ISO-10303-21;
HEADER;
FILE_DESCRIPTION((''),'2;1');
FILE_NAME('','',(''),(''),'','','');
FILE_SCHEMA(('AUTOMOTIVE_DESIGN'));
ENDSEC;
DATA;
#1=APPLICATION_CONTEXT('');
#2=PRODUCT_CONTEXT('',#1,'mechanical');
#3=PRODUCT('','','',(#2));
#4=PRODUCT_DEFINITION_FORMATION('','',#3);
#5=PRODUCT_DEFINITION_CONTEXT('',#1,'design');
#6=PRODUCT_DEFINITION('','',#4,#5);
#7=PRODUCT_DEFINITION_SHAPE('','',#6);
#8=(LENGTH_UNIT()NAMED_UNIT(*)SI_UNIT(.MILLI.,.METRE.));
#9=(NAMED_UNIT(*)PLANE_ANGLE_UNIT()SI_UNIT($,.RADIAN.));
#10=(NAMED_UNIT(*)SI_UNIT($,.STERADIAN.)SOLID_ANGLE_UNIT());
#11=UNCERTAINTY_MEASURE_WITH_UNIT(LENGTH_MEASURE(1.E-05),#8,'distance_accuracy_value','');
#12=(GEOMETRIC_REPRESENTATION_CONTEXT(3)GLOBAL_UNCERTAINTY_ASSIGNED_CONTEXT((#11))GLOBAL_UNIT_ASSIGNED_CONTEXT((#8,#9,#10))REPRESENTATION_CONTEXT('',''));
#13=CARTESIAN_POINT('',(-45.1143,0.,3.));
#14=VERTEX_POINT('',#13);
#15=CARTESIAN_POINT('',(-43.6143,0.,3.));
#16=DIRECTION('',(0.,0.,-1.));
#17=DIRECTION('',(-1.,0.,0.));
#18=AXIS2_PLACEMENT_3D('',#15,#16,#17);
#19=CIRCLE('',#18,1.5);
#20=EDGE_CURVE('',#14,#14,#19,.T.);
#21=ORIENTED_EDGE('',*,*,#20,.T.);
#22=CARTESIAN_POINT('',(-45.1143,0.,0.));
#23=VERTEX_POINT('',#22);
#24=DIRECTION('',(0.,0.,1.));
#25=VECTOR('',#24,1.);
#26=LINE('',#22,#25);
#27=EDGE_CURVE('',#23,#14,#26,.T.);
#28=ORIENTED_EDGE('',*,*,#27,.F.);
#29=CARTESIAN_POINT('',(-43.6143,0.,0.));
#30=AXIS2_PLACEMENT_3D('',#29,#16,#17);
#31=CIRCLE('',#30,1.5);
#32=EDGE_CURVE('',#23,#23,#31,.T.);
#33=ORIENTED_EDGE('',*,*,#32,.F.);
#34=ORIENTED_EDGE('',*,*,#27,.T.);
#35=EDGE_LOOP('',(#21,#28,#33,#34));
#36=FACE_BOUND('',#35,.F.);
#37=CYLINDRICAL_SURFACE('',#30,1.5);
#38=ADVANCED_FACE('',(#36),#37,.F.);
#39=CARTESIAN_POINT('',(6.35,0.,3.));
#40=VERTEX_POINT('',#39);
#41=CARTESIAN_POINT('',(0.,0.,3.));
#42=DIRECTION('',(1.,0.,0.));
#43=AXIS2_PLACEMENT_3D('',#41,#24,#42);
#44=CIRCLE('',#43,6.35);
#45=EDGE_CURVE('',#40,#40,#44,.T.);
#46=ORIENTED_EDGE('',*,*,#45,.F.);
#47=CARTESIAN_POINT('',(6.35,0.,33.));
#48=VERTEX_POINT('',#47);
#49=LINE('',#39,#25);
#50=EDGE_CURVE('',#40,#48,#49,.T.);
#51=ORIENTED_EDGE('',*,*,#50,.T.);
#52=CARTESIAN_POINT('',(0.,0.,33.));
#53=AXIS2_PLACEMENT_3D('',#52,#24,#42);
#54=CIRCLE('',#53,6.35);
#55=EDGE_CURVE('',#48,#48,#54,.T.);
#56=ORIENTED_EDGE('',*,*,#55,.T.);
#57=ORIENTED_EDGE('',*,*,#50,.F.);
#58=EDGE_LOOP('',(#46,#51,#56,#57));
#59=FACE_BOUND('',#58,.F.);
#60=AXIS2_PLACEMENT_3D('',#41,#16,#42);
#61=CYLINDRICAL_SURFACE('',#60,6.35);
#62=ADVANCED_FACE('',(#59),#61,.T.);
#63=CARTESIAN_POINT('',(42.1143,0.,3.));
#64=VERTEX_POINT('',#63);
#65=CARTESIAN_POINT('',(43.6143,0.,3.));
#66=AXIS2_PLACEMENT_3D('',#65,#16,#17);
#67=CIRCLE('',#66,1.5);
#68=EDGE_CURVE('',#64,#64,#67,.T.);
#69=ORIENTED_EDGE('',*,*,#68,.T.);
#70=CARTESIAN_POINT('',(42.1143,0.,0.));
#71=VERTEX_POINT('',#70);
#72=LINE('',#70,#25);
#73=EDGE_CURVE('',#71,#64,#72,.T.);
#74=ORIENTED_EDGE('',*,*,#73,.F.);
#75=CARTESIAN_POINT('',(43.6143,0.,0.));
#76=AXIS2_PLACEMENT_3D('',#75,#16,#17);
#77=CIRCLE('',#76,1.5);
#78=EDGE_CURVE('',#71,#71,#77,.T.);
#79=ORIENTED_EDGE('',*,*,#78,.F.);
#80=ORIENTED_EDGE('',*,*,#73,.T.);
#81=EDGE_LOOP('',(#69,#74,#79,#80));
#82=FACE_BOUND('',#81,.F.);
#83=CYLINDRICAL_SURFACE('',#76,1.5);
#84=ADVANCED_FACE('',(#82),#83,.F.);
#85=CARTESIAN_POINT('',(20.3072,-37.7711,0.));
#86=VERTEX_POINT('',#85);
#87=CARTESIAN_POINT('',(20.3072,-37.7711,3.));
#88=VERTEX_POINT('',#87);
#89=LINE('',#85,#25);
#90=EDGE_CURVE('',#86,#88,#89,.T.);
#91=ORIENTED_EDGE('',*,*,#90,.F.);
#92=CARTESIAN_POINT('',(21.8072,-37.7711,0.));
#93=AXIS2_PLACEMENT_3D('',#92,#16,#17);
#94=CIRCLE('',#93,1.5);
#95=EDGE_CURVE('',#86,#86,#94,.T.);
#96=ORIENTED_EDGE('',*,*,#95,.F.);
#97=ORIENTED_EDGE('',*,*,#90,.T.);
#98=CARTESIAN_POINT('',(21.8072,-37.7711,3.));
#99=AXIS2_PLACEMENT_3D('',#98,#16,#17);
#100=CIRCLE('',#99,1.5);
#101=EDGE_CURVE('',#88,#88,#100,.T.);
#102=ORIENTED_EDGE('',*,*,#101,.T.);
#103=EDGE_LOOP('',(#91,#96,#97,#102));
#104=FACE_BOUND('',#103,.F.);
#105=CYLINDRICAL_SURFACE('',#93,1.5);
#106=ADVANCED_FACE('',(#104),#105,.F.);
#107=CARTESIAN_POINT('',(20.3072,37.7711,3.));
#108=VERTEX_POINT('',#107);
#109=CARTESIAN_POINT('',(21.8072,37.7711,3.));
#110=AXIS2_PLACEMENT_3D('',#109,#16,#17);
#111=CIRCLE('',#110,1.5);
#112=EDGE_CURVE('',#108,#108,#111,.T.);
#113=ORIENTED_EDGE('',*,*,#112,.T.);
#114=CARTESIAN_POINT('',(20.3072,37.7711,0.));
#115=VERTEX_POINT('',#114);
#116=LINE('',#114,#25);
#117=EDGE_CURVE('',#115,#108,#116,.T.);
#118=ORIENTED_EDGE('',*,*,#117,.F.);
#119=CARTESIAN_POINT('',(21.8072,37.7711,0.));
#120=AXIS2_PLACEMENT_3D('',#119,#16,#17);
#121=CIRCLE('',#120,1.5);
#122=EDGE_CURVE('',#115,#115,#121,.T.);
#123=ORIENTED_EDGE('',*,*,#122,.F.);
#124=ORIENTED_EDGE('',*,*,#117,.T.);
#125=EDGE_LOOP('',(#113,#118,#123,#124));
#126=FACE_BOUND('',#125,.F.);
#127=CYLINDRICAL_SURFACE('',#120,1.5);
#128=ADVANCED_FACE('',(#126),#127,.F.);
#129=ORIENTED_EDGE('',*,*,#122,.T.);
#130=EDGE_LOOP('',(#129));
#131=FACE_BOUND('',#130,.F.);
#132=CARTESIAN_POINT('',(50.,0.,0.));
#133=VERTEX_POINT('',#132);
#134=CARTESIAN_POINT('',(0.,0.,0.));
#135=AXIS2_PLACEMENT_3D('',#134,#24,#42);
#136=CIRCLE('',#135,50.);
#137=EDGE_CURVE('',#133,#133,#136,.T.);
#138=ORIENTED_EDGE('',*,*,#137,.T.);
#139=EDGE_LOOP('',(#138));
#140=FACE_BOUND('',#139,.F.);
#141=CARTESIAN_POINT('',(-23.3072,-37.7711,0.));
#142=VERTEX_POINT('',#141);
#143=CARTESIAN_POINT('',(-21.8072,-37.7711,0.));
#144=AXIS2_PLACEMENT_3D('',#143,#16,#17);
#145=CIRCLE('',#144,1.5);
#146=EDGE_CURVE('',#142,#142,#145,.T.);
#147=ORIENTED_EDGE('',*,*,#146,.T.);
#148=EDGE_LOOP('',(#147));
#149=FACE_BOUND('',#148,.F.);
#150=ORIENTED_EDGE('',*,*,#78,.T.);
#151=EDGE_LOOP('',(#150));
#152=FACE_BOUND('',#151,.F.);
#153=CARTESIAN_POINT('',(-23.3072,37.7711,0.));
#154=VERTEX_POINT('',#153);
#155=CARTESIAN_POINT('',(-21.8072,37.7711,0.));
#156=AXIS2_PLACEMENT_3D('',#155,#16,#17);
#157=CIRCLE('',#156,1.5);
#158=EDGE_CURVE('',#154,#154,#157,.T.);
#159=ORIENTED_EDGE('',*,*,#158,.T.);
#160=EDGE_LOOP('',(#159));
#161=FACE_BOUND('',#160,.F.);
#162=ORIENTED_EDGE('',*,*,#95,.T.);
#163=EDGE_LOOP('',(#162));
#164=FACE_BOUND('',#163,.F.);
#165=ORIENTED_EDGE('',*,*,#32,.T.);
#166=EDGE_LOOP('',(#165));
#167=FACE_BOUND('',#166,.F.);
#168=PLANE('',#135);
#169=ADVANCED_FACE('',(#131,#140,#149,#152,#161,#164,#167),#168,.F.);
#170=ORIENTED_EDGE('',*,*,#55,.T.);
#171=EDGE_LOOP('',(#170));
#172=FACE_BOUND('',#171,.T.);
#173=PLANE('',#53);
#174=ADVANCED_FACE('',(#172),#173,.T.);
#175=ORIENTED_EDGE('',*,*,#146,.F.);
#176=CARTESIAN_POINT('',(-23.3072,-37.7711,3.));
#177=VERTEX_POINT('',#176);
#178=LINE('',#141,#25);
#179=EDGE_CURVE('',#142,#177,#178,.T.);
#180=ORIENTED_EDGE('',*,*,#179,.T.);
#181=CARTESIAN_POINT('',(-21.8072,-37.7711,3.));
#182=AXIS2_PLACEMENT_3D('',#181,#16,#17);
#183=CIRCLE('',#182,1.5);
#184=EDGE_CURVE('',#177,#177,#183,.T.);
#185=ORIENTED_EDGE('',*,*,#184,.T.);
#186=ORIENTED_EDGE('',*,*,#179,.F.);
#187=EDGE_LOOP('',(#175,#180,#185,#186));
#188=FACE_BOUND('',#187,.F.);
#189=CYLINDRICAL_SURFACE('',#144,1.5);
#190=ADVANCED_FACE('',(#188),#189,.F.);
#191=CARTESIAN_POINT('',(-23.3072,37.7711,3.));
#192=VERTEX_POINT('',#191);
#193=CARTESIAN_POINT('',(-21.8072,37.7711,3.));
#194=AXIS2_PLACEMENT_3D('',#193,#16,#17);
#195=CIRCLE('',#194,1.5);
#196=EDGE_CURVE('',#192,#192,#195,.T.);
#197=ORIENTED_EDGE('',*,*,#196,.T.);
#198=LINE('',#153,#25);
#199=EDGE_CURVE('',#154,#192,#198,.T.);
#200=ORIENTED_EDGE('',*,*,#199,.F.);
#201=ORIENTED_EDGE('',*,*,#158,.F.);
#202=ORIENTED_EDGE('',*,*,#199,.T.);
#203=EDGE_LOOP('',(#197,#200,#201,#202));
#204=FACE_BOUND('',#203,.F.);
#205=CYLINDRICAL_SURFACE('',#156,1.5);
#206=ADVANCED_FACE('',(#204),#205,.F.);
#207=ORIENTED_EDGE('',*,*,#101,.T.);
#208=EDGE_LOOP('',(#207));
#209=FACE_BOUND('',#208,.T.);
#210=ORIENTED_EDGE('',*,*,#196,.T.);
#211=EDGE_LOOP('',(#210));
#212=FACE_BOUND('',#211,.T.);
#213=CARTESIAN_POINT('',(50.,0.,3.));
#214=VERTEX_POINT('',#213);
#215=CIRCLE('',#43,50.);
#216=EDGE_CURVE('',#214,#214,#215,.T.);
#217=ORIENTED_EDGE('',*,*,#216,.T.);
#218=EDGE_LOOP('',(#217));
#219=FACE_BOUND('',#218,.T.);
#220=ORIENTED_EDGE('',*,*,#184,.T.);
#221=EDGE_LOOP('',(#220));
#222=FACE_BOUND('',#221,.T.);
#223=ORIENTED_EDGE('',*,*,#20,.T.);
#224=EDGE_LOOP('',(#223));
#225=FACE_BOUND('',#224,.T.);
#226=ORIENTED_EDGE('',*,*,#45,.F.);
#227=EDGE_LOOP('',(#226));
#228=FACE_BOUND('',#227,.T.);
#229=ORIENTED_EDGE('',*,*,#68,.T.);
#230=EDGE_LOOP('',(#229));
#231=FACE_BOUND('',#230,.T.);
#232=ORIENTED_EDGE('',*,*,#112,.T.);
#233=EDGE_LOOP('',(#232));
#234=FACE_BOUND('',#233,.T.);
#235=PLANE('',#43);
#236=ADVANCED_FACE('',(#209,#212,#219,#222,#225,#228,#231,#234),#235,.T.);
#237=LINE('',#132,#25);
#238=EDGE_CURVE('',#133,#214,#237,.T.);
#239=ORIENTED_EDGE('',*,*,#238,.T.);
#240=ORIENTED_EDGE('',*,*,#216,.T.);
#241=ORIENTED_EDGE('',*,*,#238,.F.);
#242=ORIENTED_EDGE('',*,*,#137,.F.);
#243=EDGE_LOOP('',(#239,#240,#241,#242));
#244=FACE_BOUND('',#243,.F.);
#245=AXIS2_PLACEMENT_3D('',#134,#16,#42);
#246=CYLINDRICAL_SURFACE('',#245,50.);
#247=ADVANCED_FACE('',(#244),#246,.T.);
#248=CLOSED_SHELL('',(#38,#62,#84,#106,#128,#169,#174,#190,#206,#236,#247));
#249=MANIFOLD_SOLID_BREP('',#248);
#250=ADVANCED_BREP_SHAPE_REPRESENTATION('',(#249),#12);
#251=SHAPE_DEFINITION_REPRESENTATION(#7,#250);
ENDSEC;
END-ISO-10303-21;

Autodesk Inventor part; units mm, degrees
ref_plane "YZ Plane" through (0, 0, 0) normal (1, 0, 0) x (0, 1, 0)
ref_plane "XZ Plane" through (0, 0, 0) normal (0, 1, 0) x (-1, 0, 0)
ref_plane "XY Plane" through (0, 0, 0) normal (0, 0, 1) x (1, 0, 0)
sketch "Sketch1" plane through (0, 0, 0) normal (0, 0, 1) x (1, 0, 0)
  circle A0 centre (0, 0) radius 50
  dimension "d0" = 100
extrude "Extrusion1" add sketch "Sketch1" along normal blind 3
sketch "Sketch2" plane through (0, 0, 3) normal (0, 0, 1) x (1, 0, 0)
  circle A0 centre (0, 0) radius 6.35
  dimension "d3" = 12.7
extrude "Extrusion2" add sketch "Sketch2" along normal blind 30
sketch "Sketch3" plane through (0, 0, 0) normal (0, 0, -1) x (-1, 0, 0)
  circle A0 centre (43.6143, 0) radius 1.5
  circle A1 centre (21.8072, -37.7711) radius 1.5
  circle A2 centre (-21.8072, -37.7711) radius 1.5
  circle A3 centre (-43.6143, 0) radius 1.5
  circle A4 centre (-21.8072, 37.7711) radius 1.5
  circle A5 centre (21.8072, 37.7711) radius 1.5
  point P0 (0, 0)
  dimension "d6" = 3
  dimension "d9" = 360
extrude "Extrusion3" cut sketch "Sketch3" against normal through all
properties part number "Center Lower Disk"
